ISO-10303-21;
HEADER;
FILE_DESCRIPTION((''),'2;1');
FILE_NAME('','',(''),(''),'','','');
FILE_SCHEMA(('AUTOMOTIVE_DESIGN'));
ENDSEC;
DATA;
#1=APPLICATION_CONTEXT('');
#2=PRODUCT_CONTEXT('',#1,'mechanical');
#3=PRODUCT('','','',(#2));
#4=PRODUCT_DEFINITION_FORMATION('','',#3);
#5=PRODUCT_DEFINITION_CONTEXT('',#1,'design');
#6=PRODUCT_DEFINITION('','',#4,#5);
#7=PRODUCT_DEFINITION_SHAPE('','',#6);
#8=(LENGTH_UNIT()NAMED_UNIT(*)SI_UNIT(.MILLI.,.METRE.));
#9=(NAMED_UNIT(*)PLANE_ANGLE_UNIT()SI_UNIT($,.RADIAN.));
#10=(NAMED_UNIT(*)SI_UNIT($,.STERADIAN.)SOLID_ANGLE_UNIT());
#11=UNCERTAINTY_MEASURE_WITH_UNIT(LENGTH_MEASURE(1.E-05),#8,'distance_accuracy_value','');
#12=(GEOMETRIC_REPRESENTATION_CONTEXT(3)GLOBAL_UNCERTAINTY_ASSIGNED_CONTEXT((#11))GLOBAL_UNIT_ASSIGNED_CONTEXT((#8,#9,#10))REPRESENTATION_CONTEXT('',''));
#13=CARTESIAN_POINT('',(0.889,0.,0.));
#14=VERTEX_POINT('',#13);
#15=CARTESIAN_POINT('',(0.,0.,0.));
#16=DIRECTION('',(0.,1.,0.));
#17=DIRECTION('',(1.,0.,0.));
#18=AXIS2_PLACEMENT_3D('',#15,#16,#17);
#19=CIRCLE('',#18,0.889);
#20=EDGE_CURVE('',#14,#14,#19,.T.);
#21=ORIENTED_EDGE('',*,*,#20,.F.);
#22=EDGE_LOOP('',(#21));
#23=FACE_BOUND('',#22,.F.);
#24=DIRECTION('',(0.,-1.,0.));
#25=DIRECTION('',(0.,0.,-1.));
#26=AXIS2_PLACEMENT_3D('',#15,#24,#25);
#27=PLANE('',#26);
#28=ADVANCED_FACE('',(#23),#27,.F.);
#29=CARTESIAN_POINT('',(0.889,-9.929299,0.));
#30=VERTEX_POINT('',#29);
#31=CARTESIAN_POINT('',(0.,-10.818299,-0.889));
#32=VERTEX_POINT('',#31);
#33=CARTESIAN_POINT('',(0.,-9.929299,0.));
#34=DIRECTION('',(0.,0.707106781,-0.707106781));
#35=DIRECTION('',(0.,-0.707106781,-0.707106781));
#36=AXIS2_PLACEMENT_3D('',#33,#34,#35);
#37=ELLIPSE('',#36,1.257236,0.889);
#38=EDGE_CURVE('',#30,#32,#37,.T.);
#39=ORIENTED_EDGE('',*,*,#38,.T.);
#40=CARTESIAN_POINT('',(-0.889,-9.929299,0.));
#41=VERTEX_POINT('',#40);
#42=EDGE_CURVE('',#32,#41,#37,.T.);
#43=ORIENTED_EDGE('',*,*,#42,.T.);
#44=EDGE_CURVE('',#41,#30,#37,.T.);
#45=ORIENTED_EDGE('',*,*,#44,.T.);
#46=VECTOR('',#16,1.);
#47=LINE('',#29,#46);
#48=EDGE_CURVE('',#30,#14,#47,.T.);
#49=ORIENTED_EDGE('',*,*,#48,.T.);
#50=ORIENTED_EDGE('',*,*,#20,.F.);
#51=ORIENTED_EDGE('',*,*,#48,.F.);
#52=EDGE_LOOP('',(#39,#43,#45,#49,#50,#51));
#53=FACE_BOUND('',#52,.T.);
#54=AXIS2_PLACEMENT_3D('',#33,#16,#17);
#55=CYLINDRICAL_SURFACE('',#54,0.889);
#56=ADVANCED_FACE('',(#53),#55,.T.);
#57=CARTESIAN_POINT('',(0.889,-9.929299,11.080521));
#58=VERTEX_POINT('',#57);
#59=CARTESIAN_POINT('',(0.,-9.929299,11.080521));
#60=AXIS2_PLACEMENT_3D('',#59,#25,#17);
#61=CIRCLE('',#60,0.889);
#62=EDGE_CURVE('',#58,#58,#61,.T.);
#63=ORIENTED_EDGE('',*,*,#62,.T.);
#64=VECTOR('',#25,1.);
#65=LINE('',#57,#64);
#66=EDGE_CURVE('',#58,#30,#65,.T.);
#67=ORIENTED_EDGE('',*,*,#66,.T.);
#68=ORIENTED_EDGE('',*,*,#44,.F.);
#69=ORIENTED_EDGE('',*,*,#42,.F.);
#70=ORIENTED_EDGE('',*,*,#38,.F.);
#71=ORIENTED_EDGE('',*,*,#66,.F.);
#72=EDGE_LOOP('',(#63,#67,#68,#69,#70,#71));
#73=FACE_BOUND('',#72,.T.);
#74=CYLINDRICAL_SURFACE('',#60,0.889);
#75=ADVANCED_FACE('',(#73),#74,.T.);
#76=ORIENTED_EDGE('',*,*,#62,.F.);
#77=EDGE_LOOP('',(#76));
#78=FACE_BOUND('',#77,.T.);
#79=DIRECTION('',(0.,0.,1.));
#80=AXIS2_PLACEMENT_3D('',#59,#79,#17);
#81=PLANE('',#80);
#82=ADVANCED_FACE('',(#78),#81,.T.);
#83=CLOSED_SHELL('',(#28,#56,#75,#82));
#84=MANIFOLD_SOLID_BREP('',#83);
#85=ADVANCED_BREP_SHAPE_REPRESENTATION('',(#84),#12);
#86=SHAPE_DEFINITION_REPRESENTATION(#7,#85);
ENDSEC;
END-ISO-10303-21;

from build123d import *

# Parameters (mm, degrees)
F0_R = 0.889


with BuildPart() as f2:
    # F2: sweep along a path in F1
    with BuildLine(Plane.YZ) as f2_path:
        Line((-9.9292993546, 11.0805211589), (-9.9292993546, 0))
        Line((-9.9292993546, 0), (0, 0))
    # F0 (on Front) → F2 (sweep)
    with BuildSketch(Plane.XZ):
        Circle(F0_R)
    sweep(path=f2_path.line, transition=Transition.RIGHT)


solid = f2.part
